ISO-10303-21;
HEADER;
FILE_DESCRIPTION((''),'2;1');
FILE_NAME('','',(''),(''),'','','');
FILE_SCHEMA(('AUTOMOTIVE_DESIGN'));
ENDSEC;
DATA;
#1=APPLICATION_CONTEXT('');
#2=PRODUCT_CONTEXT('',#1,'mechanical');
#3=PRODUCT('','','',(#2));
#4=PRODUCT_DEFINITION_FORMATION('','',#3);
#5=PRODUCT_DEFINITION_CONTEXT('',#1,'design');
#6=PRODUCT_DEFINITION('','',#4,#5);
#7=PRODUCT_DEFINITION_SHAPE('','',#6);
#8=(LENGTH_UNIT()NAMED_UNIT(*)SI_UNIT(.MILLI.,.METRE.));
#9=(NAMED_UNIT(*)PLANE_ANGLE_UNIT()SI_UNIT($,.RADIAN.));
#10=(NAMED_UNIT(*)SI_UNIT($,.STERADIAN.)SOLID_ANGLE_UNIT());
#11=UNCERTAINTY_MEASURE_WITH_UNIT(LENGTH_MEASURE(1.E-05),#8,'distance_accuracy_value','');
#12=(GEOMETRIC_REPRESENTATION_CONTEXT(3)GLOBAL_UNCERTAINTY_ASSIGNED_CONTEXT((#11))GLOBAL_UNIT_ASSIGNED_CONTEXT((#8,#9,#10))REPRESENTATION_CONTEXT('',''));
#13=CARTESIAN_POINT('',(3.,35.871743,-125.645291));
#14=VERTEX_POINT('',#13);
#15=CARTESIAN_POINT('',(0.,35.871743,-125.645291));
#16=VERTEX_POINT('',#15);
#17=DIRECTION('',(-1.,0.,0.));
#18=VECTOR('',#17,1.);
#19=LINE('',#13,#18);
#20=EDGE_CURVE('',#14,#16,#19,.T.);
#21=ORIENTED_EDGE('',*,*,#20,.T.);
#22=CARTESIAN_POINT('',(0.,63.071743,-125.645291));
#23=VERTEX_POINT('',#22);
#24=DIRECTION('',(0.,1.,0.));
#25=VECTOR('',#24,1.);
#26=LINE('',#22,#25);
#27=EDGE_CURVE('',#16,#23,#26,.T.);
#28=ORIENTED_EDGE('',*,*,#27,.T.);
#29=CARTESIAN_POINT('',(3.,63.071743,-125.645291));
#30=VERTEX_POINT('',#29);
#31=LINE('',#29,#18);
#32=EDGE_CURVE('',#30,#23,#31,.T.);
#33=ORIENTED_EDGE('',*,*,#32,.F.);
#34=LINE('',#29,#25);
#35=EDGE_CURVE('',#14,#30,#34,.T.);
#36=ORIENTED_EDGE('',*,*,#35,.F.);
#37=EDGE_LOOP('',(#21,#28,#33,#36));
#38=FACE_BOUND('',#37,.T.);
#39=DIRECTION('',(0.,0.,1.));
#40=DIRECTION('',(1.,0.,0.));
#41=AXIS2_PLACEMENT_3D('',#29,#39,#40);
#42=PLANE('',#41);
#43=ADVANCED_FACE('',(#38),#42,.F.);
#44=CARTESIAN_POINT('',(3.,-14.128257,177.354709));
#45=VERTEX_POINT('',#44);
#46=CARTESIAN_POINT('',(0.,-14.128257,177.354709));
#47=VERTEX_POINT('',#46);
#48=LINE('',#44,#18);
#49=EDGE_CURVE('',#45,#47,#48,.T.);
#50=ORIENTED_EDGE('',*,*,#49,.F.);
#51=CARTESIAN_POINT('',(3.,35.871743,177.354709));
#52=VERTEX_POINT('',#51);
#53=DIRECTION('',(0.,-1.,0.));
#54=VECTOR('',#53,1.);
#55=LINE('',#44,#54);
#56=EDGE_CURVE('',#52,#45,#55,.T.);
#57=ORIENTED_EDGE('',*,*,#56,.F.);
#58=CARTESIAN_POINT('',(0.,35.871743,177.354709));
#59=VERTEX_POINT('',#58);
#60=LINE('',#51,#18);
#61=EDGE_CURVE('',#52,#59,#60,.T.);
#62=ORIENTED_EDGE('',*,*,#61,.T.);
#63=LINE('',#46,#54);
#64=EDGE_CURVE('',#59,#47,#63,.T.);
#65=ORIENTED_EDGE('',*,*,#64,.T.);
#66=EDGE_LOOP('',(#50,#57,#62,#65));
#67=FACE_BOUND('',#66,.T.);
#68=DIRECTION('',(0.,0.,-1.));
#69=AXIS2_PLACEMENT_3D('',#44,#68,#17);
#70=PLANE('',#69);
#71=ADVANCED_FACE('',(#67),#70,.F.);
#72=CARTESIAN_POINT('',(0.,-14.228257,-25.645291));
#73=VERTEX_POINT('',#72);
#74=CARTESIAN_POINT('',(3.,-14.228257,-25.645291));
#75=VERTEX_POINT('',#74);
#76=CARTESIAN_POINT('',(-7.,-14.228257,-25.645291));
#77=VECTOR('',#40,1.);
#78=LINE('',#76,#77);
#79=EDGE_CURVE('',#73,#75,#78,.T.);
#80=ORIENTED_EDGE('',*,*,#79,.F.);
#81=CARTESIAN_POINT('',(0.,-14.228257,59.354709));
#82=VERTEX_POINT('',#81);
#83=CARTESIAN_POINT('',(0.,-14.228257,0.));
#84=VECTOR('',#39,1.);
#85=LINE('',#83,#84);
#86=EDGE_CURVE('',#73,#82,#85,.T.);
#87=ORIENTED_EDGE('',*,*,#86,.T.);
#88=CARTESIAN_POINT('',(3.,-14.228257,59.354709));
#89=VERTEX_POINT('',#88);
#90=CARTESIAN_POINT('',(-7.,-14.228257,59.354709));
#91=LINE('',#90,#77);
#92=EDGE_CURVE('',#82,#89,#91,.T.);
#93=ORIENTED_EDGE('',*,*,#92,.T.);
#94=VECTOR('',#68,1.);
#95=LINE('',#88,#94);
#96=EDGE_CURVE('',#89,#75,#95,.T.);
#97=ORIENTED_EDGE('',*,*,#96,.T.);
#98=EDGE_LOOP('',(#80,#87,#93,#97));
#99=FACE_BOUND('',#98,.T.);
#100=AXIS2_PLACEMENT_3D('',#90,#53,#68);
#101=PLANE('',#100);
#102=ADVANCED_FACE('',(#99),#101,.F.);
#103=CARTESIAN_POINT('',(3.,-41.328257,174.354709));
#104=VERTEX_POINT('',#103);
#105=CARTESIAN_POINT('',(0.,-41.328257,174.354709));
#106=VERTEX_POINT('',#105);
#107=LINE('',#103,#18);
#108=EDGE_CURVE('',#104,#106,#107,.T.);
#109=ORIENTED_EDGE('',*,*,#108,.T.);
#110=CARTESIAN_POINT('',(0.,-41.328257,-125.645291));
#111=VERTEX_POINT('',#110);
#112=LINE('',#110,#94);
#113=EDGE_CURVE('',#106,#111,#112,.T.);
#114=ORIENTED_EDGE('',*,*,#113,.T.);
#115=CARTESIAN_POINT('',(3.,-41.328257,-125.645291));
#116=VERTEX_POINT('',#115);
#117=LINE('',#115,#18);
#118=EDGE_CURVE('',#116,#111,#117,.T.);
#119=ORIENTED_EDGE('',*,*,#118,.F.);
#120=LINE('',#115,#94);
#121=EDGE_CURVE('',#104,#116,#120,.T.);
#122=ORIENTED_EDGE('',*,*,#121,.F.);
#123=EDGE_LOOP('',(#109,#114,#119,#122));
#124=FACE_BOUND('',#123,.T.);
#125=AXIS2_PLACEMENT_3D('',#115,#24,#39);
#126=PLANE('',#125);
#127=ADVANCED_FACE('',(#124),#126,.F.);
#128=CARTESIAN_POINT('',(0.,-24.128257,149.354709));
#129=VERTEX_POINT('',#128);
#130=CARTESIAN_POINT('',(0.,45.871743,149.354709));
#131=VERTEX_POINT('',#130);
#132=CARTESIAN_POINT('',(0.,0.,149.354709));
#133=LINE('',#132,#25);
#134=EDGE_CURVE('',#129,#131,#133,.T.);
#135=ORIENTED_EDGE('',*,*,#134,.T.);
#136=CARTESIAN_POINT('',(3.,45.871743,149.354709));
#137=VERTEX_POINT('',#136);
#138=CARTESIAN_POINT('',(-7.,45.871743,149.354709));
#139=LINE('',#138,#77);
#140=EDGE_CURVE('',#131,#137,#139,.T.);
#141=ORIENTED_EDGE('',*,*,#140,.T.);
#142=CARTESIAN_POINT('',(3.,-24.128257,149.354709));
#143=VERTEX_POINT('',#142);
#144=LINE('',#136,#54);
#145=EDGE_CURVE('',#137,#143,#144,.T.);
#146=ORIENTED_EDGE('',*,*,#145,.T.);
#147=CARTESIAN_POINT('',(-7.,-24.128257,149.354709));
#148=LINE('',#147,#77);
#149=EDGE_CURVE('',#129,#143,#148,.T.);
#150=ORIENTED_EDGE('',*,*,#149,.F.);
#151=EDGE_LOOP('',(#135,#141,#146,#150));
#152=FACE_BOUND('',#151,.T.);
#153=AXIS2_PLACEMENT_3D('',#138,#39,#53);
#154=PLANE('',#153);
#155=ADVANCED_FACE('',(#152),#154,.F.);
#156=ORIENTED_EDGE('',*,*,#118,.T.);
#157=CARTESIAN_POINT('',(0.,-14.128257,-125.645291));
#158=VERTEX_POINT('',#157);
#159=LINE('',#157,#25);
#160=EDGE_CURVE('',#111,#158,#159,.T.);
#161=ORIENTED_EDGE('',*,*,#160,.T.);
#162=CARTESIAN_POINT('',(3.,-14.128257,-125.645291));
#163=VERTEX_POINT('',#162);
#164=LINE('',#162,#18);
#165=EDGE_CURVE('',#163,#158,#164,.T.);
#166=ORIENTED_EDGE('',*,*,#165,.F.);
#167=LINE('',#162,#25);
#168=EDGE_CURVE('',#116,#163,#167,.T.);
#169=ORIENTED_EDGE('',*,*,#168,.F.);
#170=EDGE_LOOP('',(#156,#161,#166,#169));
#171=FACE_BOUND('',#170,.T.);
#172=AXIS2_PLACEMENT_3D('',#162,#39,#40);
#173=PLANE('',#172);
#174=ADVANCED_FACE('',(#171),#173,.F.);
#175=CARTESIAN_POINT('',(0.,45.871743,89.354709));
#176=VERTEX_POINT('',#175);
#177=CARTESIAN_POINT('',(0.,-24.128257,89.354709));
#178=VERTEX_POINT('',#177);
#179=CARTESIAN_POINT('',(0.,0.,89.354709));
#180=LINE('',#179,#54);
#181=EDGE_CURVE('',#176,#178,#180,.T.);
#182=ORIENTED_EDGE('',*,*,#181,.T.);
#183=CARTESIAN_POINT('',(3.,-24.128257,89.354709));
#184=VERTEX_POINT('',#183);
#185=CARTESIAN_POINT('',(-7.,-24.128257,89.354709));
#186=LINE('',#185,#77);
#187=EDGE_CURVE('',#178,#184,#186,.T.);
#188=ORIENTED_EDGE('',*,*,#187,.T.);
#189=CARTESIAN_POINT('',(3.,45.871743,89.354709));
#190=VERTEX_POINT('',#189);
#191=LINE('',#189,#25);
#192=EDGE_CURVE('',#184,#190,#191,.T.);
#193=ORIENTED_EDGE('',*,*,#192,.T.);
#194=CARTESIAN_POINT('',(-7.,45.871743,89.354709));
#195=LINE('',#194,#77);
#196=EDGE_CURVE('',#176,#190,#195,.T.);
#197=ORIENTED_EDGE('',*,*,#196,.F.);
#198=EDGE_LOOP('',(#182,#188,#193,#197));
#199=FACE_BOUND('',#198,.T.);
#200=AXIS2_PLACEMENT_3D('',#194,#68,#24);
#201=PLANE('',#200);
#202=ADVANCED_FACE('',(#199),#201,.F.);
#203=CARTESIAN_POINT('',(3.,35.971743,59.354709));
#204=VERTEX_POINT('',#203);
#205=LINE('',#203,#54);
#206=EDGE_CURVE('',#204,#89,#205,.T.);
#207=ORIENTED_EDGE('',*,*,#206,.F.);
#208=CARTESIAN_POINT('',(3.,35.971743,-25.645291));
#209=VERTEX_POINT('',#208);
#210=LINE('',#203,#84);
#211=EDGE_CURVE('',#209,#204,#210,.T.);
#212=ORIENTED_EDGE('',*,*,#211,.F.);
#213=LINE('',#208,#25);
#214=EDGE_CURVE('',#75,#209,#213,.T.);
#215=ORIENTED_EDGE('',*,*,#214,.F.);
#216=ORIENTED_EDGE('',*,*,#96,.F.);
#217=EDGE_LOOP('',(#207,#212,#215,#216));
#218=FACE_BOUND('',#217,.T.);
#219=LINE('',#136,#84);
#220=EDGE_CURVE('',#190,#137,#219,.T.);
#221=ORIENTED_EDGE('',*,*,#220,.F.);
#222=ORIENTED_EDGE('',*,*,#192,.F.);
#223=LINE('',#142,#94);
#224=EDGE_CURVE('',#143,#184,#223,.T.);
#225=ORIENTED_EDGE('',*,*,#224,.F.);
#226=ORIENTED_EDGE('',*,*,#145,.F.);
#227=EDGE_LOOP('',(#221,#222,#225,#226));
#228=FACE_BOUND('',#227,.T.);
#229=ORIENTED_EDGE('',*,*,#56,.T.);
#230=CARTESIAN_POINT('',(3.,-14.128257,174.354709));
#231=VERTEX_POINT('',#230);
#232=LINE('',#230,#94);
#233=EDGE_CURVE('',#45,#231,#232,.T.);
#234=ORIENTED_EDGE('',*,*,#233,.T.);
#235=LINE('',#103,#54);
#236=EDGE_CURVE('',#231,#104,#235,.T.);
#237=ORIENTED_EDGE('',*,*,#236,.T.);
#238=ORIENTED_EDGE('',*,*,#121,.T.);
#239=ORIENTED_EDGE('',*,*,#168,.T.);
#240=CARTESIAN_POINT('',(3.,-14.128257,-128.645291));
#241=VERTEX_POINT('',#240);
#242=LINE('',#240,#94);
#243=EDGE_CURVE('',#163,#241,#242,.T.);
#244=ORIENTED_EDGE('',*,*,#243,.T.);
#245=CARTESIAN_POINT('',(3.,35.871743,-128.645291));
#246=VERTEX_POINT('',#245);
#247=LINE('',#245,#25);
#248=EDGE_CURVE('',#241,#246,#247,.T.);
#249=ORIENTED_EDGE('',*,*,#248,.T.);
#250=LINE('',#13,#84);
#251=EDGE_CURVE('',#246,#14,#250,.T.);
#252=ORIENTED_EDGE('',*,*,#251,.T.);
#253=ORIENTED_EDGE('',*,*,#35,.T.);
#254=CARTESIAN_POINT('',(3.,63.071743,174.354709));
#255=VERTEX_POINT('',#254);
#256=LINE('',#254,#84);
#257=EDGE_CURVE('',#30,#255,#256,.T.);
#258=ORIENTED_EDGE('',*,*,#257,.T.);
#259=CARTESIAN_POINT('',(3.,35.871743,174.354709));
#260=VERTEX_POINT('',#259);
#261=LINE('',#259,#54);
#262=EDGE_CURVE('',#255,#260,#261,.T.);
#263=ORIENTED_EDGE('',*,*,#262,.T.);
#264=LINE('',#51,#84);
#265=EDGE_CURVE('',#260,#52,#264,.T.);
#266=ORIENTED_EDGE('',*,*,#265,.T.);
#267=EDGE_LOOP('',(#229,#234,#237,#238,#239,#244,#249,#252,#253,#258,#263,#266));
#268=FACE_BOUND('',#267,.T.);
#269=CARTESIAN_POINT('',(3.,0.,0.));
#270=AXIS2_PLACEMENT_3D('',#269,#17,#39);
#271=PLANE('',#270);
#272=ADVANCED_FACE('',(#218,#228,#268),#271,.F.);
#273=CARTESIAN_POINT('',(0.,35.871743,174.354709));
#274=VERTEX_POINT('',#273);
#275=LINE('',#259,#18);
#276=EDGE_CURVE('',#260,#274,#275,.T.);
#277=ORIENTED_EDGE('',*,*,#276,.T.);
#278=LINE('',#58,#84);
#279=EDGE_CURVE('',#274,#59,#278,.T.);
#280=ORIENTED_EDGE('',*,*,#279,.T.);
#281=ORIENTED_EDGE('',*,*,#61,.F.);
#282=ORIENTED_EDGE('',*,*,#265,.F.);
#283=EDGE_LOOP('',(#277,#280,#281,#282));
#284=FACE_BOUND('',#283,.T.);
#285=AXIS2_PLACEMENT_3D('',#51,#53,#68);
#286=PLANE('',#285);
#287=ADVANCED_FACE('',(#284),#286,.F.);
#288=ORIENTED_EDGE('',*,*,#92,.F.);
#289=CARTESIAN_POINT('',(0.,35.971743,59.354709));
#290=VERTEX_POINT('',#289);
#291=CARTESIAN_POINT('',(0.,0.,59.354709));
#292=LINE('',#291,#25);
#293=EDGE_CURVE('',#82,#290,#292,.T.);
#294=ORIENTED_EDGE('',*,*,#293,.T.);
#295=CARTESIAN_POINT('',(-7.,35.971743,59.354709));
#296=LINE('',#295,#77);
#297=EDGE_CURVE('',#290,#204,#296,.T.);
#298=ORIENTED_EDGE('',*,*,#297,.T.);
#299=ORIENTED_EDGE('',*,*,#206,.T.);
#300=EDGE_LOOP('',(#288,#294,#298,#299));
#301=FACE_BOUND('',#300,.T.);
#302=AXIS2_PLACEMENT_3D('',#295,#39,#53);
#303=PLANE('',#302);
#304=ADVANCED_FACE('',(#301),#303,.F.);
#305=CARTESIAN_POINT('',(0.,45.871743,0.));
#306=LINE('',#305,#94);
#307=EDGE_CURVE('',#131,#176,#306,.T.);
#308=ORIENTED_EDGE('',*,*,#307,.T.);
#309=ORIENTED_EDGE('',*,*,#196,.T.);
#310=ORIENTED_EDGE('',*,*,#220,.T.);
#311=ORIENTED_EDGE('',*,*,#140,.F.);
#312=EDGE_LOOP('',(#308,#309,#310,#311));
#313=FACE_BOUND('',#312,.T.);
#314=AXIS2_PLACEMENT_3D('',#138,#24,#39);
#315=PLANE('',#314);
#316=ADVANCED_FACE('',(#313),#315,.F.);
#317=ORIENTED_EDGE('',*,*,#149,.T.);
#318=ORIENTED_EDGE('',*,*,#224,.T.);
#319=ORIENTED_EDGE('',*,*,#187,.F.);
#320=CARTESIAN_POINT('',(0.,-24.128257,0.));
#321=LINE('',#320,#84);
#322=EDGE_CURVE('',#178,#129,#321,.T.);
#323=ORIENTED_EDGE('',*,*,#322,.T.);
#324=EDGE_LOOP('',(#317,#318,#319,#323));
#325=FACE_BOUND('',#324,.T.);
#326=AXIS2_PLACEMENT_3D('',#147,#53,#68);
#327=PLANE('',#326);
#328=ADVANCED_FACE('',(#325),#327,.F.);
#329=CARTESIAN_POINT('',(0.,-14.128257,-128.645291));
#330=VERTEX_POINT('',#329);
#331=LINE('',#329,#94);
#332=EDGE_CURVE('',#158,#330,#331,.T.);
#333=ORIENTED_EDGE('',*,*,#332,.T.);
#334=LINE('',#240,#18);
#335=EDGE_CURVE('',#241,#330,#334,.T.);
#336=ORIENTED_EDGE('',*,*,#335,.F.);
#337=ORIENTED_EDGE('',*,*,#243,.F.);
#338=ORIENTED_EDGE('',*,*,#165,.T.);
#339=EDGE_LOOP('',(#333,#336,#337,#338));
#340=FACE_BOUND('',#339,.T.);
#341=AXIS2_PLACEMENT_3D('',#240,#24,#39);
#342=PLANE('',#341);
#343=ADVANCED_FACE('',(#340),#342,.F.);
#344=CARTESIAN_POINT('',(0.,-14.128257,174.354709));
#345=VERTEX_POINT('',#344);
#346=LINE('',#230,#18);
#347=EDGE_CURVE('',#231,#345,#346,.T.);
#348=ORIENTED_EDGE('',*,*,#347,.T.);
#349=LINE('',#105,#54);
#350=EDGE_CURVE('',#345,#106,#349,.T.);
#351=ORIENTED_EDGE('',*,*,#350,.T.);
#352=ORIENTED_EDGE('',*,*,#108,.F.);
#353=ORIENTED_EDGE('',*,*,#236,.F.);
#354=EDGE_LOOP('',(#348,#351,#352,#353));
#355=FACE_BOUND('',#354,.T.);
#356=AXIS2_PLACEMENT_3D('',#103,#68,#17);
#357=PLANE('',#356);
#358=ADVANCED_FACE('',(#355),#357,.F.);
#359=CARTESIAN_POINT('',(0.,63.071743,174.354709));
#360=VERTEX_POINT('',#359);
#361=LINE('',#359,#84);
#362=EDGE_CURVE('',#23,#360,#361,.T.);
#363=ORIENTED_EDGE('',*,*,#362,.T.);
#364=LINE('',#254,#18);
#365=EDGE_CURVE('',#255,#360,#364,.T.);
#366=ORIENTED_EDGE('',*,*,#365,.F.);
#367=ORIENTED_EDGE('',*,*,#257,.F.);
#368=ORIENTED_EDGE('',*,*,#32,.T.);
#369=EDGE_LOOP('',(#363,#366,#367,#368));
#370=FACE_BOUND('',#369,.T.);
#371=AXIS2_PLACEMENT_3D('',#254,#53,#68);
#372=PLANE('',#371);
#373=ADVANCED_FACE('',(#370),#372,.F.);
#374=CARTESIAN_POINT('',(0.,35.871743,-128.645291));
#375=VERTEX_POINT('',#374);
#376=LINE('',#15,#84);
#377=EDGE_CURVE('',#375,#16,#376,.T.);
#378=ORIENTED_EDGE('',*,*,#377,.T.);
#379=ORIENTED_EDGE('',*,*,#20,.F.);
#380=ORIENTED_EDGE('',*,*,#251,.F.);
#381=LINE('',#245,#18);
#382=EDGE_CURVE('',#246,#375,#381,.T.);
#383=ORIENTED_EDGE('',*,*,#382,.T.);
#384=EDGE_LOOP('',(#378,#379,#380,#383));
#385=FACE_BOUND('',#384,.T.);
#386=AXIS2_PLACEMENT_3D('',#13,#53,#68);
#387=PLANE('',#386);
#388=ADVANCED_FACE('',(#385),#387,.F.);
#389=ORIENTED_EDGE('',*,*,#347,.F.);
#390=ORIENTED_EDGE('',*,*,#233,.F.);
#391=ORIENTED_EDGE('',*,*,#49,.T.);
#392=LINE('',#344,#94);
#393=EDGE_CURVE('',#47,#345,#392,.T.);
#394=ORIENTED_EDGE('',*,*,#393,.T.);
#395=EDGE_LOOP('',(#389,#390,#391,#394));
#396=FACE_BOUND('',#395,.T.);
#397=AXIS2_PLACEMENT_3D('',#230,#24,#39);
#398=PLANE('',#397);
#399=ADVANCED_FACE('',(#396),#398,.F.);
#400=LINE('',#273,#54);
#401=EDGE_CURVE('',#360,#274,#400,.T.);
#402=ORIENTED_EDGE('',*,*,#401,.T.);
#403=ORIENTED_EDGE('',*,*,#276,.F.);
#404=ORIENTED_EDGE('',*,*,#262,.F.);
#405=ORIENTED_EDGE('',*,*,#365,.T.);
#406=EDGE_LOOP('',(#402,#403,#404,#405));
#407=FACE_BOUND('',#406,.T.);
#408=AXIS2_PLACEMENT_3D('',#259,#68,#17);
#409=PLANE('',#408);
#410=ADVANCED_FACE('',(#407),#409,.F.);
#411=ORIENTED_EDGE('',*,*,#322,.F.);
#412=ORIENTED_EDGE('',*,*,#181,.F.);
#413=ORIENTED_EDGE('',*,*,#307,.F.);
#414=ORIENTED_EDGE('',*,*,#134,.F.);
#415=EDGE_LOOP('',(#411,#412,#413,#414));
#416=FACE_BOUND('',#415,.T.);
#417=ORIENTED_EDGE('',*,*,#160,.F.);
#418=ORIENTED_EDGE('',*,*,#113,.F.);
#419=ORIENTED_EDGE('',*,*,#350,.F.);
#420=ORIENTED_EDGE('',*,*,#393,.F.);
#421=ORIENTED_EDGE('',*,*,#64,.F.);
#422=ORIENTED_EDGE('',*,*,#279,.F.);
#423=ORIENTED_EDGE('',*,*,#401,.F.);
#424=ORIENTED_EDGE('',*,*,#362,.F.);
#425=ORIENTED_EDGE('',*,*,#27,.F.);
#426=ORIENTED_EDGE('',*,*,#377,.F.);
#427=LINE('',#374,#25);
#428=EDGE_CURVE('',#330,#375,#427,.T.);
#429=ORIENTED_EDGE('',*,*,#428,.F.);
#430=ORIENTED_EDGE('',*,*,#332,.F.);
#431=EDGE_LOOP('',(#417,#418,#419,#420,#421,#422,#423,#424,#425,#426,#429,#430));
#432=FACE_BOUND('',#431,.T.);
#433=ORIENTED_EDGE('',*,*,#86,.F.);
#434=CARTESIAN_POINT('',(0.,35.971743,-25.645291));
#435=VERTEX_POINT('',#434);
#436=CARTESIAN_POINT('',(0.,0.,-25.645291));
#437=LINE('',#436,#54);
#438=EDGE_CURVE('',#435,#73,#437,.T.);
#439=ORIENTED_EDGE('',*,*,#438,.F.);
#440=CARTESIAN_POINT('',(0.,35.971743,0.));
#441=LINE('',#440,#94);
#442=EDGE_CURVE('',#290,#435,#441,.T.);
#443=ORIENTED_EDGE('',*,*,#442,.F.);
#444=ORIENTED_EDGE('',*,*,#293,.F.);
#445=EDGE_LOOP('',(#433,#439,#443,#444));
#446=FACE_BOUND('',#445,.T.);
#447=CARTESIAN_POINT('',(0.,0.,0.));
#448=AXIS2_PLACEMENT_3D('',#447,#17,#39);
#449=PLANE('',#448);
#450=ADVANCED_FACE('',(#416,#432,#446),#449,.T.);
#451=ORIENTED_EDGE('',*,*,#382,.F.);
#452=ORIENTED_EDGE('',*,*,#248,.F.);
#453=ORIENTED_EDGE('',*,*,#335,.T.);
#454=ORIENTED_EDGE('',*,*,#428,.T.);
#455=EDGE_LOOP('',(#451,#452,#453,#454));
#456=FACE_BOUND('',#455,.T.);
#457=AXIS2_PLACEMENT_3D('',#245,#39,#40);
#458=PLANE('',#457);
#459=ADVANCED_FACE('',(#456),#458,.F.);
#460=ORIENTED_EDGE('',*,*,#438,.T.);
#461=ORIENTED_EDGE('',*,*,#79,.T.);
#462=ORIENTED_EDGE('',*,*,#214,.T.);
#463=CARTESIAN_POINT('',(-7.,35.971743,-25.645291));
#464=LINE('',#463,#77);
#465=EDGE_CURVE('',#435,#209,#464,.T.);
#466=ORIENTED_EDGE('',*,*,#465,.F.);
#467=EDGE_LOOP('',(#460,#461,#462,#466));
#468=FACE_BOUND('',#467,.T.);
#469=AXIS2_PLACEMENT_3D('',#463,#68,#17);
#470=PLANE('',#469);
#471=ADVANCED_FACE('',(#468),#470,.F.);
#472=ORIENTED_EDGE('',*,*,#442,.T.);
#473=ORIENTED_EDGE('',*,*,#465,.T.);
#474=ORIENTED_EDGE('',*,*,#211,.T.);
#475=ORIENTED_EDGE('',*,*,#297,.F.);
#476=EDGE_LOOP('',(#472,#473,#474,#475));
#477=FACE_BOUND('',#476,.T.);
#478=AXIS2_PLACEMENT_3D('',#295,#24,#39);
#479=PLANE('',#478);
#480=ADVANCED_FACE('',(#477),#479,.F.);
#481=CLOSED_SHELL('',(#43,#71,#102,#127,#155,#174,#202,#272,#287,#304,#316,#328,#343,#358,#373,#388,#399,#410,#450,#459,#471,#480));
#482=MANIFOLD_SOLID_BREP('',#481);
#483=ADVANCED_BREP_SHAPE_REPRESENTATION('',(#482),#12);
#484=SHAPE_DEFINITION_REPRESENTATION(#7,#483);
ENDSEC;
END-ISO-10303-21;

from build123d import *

# Parameters (mm, degrees)
BOSS_EXTRUDE1_DEPTH = 3
SKETCH2_W           = 60
SKETCH2_H           = 70
CUT_EXTRUDE1_DEPTH  = 10
SKETCH3_W           = 85
SKETCH3_H           = 50.2
CUT_EXTRUDE2_DEPTH  = 10


with BuildPart() as part:
    # Sketch1 → Boss-Extrude1 (new body)
    with BuildSketch(Plane(origin=(0, 0, 0), x_dir=(0, 0, -1), z_dir=(1, 0, 0))):
        Polygon((-174.354709419, 63.071743487), (125.645290581, 63.071743487), (125.645290581, 35.871743487), (128.645290581, 35.871743487), (128.645290581, -14.128256513), (125.645290581, -14.128256513), (125.645290581, -41.328256513), (-174.354709419, -41.328256513), (-174.354709419, -14.128256513), (-177.354709419, -14.128256513), (-177.354709419, 35.871743487), (-174.354709419, 35.871743487), align=None)
    extrude(amount=BOSS_EXTRUDE1_DEPTH)

    # Sketch2 → Cut-Extrude1 (cut)
    with BuildSketch(Plane(origin=(3, 0, 0), x_dir=(0, 0, -1), z_dir=(1, 0, 0))):
        with Locations((-119.354709419, 10.871743487)):
            Rectangle(SKETCH2_W, SKETCH2_H)
    extrude(amount=-CUT_EXTRUDE1_DEPTH, mode=Mode.SUBTRACT)

    # Sketch3 → Cut-Extrude2 (cut)
    with BuildSketch(Plane(origin=(3, 0, 0), x_dir=(0, 0, -1), z_dir=(1, 0, 0))):
        with Locations((-16.854709419, 10.871743487)):
            Rectangle(SKETCH3_W, SKETCH3_H)
    extrude(amount=-CUT_EXTRUDE2_DEPTH, mode=Mode.SUBTRACT)


solid = part.part
